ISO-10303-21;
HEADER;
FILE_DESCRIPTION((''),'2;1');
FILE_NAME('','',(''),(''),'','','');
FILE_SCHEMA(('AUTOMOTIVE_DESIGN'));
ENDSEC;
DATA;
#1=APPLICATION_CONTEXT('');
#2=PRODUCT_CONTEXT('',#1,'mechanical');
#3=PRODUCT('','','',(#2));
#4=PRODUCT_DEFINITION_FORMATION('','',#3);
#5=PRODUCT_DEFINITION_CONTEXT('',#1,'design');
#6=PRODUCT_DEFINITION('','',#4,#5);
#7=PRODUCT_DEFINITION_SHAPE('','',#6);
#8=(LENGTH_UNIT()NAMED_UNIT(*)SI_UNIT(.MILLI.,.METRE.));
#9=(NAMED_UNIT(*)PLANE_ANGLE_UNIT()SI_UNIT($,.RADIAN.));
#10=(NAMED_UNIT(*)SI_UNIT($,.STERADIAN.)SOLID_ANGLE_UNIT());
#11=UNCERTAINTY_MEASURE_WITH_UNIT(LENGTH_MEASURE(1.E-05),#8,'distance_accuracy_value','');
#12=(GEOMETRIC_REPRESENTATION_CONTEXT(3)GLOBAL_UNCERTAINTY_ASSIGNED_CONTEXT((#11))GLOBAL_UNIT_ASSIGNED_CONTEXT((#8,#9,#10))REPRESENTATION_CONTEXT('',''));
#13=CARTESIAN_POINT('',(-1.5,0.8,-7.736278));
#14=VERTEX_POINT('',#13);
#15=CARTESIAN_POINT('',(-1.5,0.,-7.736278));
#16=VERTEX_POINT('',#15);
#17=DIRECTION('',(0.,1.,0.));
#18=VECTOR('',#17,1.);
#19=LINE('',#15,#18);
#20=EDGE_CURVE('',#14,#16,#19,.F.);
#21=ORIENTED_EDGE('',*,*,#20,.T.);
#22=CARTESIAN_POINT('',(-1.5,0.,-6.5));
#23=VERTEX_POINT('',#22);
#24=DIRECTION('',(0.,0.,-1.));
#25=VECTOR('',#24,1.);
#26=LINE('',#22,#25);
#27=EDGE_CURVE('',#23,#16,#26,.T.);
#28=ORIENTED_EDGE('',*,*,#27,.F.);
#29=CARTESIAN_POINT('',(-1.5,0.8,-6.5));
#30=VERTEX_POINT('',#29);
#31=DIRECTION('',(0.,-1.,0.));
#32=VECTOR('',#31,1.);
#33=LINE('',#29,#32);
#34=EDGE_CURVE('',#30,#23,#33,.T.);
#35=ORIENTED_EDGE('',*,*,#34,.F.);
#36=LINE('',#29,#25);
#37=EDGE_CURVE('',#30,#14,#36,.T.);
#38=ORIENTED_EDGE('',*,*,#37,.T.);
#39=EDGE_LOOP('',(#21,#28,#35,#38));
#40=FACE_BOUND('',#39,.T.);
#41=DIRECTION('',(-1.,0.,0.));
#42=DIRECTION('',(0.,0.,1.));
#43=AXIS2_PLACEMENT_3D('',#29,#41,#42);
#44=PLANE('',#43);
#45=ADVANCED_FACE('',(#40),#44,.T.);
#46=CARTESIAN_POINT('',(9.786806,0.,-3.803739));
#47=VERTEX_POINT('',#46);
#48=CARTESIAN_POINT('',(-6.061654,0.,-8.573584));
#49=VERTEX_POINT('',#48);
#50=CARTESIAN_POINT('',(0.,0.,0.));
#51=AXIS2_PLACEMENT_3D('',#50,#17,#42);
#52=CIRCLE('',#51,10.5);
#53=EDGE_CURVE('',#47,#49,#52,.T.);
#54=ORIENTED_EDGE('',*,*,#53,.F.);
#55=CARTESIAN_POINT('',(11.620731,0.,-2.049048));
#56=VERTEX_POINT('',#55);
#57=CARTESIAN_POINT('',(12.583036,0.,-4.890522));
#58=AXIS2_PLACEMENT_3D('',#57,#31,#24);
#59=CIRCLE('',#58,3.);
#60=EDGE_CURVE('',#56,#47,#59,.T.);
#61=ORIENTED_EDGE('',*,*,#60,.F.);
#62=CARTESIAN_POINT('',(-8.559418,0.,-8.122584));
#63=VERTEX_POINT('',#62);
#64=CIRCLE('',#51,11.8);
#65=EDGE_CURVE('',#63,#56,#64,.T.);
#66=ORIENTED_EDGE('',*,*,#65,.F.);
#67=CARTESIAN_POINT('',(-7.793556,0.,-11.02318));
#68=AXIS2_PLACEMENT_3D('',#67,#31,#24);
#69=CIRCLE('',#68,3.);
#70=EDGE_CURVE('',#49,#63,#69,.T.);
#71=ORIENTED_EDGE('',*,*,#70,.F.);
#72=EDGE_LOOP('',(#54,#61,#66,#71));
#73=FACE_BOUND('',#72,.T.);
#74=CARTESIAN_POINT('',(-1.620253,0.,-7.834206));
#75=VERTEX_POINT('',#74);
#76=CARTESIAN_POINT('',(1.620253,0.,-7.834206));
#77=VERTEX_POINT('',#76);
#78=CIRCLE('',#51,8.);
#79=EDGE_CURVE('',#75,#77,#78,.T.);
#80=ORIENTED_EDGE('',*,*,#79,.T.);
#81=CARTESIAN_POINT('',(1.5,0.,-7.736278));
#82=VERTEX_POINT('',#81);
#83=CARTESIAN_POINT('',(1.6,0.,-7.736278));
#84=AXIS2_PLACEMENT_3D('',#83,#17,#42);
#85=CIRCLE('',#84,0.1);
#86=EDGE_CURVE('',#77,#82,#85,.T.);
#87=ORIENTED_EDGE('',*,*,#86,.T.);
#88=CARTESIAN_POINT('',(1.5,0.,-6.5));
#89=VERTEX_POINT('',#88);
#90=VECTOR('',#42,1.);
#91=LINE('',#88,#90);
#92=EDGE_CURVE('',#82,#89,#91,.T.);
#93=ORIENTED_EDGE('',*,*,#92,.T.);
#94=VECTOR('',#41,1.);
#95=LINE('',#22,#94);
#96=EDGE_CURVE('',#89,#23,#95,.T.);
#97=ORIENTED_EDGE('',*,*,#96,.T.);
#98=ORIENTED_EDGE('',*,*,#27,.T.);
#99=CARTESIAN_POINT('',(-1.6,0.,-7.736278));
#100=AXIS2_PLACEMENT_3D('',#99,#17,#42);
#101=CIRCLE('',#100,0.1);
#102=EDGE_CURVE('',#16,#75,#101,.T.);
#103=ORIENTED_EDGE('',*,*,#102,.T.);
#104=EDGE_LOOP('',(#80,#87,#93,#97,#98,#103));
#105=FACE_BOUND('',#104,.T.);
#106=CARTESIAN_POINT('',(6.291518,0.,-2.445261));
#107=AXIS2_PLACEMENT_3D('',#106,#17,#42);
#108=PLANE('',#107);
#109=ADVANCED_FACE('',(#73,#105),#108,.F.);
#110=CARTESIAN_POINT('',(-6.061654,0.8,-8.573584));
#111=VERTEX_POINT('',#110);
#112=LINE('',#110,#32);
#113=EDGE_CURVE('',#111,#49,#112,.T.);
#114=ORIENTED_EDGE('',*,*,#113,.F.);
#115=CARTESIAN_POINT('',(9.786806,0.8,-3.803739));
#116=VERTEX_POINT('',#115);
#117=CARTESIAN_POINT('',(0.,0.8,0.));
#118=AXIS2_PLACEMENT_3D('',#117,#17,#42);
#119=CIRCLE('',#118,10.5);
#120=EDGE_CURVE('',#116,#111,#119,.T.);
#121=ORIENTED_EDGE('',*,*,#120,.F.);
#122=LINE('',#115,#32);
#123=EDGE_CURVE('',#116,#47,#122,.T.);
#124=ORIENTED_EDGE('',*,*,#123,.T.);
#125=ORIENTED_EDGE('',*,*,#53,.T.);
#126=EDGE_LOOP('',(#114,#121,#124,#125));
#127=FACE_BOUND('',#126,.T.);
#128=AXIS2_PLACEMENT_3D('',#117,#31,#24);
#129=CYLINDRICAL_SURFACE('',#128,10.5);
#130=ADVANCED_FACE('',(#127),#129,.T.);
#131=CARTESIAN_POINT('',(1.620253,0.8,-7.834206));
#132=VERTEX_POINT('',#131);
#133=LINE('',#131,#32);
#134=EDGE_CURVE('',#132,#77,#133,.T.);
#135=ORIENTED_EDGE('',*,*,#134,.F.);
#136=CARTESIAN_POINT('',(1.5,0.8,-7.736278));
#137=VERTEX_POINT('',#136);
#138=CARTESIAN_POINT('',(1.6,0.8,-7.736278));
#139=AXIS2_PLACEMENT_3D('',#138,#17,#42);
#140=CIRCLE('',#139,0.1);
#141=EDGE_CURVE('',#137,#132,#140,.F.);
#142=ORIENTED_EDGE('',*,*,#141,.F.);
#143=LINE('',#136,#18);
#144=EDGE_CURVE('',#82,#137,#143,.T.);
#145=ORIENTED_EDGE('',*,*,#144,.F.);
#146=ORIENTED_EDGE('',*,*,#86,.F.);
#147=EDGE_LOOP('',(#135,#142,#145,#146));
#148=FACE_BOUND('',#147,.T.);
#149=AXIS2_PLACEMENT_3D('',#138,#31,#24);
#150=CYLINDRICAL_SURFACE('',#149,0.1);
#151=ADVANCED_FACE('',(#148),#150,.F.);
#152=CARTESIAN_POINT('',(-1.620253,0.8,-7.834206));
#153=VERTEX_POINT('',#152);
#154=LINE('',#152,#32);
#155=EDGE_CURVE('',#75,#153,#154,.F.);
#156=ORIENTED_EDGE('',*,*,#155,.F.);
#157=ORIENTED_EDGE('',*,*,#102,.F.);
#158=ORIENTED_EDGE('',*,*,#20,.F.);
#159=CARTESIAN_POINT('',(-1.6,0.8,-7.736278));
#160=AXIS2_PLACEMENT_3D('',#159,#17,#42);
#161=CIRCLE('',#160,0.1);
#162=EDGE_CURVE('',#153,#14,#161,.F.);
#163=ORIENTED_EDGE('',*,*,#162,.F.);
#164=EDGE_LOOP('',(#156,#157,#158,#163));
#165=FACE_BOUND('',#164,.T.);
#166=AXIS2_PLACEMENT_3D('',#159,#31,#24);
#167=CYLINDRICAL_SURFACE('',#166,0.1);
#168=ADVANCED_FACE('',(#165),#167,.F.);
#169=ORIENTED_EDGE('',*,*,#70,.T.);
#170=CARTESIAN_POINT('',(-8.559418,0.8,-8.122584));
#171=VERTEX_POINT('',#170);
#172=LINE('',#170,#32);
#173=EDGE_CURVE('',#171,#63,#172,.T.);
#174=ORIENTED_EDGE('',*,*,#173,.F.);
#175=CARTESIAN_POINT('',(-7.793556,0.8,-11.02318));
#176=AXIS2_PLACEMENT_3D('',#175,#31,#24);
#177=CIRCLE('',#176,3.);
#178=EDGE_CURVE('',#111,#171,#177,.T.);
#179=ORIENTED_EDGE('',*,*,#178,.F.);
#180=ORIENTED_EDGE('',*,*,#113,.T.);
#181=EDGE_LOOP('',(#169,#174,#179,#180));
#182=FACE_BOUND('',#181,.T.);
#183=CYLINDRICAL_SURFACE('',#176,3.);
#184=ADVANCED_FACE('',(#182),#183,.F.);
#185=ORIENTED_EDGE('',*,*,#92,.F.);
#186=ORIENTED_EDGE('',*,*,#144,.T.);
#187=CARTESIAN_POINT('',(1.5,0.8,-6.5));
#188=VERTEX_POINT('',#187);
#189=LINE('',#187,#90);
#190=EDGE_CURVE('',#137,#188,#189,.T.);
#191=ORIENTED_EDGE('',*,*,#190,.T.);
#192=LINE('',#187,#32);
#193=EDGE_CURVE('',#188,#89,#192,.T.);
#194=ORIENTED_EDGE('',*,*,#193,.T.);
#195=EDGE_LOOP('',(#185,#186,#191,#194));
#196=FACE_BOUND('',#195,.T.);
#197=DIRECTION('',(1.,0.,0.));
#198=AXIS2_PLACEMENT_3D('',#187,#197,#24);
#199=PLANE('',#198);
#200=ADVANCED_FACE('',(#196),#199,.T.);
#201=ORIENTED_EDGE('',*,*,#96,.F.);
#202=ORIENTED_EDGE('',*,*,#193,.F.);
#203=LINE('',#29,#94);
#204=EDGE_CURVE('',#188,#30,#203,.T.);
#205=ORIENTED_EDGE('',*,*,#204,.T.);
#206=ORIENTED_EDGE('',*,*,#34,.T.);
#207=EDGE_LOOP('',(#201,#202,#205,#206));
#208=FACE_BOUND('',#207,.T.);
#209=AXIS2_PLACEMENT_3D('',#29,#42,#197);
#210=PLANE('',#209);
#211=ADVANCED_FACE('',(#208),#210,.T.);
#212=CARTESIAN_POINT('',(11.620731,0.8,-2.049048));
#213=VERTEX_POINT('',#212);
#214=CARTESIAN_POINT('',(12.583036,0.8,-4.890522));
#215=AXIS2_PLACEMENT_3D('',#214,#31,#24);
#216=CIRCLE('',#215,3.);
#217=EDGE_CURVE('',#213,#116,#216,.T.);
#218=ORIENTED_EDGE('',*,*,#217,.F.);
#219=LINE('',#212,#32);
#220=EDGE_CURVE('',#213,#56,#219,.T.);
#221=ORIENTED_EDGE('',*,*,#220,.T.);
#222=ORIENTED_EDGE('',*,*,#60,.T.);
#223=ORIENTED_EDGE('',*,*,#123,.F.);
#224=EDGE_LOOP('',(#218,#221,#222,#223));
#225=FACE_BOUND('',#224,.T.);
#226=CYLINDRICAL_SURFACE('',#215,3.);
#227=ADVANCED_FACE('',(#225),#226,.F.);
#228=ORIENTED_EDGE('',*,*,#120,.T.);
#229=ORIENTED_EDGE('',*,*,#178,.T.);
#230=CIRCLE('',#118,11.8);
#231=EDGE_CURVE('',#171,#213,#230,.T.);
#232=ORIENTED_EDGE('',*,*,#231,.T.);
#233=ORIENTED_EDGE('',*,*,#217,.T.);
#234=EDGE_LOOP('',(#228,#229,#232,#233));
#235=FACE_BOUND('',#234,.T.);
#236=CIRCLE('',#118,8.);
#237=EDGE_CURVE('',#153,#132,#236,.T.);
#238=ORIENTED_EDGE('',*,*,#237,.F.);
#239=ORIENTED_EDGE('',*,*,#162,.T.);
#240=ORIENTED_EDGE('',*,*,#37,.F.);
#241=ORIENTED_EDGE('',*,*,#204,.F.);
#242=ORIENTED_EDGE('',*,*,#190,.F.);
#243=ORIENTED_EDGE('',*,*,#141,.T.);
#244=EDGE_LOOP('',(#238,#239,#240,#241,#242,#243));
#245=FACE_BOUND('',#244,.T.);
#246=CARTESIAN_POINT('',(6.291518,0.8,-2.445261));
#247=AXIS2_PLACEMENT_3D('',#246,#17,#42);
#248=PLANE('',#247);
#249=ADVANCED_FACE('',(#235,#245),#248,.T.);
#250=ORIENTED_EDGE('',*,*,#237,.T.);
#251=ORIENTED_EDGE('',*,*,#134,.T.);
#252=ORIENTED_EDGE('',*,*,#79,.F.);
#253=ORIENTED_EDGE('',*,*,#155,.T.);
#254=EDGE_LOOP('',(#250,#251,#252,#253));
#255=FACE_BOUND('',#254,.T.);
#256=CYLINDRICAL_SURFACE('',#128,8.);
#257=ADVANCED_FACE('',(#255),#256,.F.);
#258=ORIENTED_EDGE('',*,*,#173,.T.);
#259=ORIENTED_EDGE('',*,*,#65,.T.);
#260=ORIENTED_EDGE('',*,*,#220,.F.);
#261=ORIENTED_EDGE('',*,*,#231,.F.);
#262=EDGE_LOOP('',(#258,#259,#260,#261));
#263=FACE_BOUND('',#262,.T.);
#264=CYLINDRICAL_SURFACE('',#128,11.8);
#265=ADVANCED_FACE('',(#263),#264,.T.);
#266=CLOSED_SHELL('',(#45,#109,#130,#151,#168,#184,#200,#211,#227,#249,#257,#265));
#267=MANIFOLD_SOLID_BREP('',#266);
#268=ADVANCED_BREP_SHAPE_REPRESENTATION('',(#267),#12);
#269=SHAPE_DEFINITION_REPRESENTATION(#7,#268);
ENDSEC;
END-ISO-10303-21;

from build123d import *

# Parameters (mm, degrees)
BOSS_EXTRUDE1_DEPTH = 0.8
FILLET1_R           = 0.1


with BuildPart() as part:
    # Sketch1 → Boss-Extrude1 (new body)
    with BuildSketch(Plane(origin=(0, 0, 0), x_dir=(1, 0, 0), z_dir=(0, 1, 0))):
        with BuildLine():
            ThreePointArc((9.786805864, 3.803739078), (3.026060815, 10.054499288), (-6.061654374, 8.573584213))
            ThreePointArc((-6.061654374, 8.573584213), (-7.260490637, 8.07091926), (-8.559417578, 8.122583993))
            ThreePointArc((-8.559417578, 8.122583993), (-3.400715964, -11.299342057), (11.620731486, 2.049048496))
            ThreePointArc((11.620731486, 2.049048496), (10.509059049, 2.722891827), (9.786805864, 3.803739078))
        make_face()
        with BuildLine():
            Line((-1.5, 6.5), (1.5, 6.5))
            Line((1.5, 6.5), (1.5, 7.858116823))
            ThreePointArc((1.5, 7.858116823), (0, -8), (-1.5, 7.858116823))
            Line((-1.5, 7.858116823), (-1.5, 6.5))
        make_face(mode=Mode.SUBTRACT)
    extrude(amount=BOSS_EXTRUDE1_DEPTH)

    # Fillet1
    fillet1_edges = [part.edges().sort_by_distance(p)[0] for p in [
        (-1.5, 0.4, -7.858116823),
        (1.5, 0.4, -7.858116823),
    ]]
    fillet(fillet1_edges, radius=FILLET1_R)


solid = part.part
